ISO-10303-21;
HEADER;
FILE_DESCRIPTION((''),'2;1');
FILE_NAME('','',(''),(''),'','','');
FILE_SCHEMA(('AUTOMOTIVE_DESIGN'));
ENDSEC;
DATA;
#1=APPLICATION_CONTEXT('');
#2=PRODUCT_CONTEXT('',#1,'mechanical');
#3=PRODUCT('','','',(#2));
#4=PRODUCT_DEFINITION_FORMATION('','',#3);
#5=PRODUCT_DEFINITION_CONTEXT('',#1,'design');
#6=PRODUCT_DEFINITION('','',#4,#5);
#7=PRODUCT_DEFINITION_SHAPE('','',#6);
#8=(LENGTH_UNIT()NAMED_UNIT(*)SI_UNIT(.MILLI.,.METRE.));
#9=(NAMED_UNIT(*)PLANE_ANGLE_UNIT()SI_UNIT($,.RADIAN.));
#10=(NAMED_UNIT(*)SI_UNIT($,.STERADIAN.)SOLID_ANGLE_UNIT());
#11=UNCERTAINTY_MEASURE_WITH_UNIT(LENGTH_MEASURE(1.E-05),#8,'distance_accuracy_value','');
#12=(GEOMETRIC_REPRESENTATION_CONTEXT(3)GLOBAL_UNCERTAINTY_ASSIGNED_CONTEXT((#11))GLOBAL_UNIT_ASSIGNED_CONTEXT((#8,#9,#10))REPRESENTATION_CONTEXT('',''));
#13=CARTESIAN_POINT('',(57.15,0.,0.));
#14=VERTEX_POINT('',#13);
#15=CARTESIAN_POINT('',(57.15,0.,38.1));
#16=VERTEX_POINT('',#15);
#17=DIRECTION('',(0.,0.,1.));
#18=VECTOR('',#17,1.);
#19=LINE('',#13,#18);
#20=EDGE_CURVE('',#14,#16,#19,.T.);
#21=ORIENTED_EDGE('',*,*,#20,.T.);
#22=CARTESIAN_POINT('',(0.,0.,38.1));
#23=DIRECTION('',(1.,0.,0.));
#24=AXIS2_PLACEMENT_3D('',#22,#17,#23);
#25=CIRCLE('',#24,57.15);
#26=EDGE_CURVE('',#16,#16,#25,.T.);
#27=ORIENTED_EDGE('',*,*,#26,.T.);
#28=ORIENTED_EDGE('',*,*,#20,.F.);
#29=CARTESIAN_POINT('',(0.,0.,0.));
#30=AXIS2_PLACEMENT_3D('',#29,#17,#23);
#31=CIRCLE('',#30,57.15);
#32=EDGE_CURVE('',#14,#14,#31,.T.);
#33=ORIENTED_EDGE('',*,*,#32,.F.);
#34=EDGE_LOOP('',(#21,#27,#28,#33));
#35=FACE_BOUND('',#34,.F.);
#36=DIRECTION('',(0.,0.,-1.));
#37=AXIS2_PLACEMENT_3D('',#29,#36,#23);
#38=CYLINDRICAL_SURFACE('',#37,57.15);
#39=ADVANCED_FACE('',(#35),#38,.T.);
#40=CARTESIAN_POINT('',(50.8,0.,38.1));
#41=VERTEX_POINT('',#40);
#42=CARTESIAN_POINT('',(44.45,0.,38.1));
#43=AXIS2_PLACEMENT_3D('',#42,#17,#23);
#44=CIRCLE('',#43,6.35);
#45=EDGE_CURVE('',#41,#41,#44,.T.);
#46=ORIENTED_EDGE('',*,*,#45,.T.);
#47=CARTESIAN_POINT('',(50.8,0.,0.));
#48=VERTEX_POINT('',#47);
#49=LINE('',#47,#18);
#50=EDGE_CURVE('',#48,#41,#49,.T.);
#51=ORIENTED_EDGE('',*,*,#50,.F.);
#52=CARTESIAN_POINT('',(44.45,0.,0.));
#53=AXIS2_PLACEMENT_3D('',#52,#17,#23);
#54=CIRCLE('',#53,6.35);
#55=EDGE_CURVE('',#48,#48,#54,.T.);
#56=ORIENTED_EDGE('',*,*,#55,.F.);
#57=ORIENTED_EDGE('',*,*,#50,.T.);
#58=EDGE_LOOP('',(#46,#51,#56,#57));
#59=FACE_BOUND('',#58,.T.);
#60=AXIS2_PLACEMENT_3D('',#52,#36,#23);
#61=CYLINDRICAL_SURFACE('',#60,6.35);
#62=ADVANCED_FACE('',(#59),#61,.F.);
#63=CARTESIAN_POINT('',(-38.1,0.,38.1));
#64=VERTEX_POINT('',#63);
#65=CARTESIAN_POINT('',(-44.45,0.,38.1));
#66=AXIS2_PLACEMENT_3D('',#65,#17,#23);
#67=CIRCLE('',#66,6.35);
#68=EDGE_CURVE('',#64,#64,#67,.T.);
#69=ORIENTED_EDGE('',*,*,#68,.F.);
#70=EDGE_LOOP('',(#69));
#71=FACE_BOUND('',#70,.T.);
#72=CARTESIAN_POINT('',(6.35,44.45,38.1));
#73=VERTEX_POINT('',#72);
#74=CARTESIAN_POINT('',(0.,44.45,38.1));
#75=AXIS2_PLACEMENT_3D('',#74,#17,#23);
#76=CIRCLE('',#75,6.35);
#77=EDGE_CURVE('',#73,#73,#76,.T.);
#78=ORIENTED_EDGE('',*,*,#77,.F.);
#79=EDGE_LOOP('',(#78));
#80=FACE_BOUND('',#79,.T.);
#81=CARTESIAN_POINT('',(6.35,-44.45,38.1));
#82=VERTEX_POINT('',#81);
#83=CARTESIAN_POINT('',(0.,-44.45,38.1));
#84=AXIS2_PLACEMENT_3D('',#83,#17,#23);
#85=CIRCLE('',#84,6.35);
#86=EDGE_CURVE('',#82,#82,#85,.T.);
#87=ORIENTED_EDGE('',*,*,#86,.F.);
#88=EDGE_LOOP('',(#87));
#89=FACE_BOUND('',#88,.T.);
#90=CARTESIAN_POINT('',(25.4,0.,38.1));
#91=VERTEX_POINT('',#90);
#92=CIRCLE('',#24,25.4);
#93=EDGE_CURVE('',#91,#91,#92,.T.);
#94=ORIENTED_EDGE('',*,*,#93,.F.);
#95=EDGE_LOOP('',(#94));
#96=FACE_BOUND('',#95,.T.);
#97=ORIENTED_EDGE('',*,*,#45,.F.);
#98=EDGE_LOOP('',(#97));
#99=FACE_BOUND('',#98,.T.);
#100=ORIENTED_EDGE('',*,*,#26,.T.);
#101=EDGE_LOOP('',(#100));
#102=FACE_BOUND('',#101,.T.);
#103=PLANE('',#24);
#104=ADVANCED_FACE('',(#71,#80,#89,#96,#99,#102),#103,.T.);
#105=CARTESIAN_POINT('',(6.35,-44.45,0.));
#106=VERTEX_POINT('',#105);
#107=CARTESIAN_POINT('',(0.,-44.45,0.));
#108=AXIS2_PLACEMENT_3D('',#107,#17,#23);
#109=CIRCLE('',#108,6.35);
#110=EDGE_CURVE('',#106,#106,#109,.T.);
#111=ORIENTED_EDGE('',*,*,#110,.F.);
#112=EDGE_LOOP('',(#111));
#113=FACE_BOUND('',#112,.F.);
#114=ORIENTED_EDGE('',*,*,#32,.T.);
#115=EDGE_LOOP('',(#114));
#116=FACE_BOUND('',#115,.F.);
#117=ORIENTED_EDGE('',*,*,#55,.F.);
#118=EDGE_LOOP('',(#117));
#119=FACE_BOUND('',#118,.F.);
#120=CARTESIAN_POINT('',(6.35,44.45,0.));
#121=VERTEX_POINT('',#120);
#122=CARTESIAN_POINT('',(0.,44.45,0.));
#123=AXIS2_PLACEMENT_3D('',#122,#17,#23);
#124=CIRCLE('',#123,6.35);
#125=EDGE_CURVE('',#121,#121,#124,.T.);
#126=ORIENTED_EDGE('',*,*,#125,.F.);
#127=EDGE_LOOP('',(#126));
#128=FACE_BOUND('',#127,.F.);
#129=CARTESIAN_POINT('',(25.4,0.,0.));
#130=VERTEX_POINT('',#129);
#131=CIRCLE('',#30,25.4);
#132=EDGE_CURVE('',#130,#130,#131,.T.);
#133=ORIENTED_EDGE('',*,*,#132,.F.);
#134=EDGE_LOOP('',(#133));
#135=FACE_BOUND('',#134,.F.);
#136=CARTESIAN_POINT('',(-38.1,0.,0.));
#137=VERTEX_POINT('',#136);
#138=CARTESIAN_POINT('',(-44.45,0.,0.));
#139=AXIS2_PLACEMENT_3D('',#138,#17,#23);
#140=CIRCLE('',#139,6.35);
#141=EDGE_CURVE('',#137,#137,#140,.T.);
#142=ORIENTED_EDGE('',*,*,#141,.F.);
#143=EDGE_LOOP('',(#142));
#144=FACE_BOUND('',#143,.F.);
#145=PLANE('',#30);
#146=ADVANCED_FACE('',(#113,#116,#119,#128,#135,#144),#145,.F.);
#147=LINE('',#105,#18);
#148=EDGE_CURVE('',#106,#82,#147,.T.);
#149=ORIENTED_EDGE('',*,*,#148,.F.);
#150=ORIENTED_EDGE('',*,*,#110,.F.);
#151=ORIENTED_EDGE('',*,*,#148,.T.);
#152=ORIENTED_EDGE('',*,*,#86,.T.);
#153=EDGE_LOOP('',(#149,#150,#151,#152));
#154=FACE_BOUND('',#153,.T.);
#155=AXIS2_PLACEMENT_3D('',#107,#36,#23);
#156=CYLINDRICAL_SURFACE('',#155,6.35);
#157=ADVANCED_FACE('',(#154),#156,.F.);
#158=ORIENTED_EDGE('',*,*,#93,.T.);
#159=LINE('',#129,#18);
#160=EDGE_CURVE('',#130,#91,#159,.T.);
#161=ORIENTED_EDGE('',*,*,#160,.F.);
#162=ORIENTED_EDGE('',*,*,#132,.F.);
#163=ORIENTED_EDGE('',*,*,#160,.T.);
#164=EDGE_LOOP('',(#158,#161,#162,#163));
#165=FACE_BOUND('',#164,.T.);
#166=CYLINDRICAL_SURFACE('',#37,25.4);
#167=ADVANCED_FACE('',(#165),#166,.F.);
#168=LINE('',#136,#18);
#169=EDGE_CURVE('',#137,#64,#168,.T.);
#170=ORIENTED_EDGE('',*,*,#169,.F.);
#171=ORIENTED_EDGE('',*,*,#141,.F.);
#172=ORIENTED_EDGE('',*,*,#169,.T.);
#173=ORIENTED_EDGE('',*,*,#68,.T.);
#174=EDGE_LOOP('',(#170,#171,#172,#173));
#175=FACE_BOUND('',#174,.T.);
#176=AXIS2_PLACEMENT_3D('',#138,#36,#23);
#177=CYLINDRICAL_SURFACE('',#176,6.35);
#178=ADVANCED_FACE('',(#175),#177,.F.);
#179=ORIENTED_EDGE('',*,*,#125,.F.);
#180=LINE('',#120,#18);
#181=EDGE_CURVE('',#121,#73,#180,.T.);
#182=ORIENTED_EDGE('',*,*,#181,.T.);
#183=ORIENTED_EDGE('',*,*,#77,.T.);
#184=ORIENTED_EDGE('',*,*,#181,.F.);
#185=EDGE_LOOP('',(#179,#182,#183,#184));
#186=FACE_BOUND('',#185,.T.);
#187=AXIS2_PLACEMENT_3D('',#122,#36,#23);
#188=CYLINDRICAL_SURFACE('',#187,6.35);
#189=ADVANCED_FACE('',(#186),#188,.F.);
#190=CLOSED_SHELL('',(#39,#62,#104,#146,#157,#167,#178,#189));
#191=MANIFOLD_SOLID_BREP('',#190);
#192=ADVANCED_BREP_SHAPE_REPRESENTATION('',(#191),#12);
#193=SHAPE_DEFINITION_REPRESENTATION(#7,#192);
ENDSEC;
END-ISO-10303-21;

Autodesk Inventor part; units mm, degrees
ref_plane "YZ Plane" through (0, 0, 0) normal (1, 0, 0) x (0, 1, 0)
ref_plane "XZ Plane" through (0, 0, 0) normal (0, 1, 0) x (-1, 0, 0)
ref_plane "XY Plane" through (0, 0, 0) normal (0, 0, 1) x (1, 0, 0)
ref_plane "Work Plane1" through (0, 0, 0) normal (0, 0, 1) x (1, 0, 0)
sketch "Sketch1" plane through (0, 0, 0) normal (0, 0, 1) x (1, 0, 0)
  circle A0 centre (44.45, 0) radius 6.35 projected
  circle A1 centre (0, -44.45) radius 6.35 projected
  circle A2 centre (-44.45, 0) radius 6.35 projected
  circle A3 centre (0, 44.45) radius 6.35 projected
  circle A4 centre (0, 0) radius 25.4 projected
  circle A5 centre (0, 0) radius 57.15
  point P0 (0, 0)
  dimension "d0" = 114.3
extrude "Extrusion1" add sketch "Sketch1" along normal blind 38.1
properties part number "Spacer"
